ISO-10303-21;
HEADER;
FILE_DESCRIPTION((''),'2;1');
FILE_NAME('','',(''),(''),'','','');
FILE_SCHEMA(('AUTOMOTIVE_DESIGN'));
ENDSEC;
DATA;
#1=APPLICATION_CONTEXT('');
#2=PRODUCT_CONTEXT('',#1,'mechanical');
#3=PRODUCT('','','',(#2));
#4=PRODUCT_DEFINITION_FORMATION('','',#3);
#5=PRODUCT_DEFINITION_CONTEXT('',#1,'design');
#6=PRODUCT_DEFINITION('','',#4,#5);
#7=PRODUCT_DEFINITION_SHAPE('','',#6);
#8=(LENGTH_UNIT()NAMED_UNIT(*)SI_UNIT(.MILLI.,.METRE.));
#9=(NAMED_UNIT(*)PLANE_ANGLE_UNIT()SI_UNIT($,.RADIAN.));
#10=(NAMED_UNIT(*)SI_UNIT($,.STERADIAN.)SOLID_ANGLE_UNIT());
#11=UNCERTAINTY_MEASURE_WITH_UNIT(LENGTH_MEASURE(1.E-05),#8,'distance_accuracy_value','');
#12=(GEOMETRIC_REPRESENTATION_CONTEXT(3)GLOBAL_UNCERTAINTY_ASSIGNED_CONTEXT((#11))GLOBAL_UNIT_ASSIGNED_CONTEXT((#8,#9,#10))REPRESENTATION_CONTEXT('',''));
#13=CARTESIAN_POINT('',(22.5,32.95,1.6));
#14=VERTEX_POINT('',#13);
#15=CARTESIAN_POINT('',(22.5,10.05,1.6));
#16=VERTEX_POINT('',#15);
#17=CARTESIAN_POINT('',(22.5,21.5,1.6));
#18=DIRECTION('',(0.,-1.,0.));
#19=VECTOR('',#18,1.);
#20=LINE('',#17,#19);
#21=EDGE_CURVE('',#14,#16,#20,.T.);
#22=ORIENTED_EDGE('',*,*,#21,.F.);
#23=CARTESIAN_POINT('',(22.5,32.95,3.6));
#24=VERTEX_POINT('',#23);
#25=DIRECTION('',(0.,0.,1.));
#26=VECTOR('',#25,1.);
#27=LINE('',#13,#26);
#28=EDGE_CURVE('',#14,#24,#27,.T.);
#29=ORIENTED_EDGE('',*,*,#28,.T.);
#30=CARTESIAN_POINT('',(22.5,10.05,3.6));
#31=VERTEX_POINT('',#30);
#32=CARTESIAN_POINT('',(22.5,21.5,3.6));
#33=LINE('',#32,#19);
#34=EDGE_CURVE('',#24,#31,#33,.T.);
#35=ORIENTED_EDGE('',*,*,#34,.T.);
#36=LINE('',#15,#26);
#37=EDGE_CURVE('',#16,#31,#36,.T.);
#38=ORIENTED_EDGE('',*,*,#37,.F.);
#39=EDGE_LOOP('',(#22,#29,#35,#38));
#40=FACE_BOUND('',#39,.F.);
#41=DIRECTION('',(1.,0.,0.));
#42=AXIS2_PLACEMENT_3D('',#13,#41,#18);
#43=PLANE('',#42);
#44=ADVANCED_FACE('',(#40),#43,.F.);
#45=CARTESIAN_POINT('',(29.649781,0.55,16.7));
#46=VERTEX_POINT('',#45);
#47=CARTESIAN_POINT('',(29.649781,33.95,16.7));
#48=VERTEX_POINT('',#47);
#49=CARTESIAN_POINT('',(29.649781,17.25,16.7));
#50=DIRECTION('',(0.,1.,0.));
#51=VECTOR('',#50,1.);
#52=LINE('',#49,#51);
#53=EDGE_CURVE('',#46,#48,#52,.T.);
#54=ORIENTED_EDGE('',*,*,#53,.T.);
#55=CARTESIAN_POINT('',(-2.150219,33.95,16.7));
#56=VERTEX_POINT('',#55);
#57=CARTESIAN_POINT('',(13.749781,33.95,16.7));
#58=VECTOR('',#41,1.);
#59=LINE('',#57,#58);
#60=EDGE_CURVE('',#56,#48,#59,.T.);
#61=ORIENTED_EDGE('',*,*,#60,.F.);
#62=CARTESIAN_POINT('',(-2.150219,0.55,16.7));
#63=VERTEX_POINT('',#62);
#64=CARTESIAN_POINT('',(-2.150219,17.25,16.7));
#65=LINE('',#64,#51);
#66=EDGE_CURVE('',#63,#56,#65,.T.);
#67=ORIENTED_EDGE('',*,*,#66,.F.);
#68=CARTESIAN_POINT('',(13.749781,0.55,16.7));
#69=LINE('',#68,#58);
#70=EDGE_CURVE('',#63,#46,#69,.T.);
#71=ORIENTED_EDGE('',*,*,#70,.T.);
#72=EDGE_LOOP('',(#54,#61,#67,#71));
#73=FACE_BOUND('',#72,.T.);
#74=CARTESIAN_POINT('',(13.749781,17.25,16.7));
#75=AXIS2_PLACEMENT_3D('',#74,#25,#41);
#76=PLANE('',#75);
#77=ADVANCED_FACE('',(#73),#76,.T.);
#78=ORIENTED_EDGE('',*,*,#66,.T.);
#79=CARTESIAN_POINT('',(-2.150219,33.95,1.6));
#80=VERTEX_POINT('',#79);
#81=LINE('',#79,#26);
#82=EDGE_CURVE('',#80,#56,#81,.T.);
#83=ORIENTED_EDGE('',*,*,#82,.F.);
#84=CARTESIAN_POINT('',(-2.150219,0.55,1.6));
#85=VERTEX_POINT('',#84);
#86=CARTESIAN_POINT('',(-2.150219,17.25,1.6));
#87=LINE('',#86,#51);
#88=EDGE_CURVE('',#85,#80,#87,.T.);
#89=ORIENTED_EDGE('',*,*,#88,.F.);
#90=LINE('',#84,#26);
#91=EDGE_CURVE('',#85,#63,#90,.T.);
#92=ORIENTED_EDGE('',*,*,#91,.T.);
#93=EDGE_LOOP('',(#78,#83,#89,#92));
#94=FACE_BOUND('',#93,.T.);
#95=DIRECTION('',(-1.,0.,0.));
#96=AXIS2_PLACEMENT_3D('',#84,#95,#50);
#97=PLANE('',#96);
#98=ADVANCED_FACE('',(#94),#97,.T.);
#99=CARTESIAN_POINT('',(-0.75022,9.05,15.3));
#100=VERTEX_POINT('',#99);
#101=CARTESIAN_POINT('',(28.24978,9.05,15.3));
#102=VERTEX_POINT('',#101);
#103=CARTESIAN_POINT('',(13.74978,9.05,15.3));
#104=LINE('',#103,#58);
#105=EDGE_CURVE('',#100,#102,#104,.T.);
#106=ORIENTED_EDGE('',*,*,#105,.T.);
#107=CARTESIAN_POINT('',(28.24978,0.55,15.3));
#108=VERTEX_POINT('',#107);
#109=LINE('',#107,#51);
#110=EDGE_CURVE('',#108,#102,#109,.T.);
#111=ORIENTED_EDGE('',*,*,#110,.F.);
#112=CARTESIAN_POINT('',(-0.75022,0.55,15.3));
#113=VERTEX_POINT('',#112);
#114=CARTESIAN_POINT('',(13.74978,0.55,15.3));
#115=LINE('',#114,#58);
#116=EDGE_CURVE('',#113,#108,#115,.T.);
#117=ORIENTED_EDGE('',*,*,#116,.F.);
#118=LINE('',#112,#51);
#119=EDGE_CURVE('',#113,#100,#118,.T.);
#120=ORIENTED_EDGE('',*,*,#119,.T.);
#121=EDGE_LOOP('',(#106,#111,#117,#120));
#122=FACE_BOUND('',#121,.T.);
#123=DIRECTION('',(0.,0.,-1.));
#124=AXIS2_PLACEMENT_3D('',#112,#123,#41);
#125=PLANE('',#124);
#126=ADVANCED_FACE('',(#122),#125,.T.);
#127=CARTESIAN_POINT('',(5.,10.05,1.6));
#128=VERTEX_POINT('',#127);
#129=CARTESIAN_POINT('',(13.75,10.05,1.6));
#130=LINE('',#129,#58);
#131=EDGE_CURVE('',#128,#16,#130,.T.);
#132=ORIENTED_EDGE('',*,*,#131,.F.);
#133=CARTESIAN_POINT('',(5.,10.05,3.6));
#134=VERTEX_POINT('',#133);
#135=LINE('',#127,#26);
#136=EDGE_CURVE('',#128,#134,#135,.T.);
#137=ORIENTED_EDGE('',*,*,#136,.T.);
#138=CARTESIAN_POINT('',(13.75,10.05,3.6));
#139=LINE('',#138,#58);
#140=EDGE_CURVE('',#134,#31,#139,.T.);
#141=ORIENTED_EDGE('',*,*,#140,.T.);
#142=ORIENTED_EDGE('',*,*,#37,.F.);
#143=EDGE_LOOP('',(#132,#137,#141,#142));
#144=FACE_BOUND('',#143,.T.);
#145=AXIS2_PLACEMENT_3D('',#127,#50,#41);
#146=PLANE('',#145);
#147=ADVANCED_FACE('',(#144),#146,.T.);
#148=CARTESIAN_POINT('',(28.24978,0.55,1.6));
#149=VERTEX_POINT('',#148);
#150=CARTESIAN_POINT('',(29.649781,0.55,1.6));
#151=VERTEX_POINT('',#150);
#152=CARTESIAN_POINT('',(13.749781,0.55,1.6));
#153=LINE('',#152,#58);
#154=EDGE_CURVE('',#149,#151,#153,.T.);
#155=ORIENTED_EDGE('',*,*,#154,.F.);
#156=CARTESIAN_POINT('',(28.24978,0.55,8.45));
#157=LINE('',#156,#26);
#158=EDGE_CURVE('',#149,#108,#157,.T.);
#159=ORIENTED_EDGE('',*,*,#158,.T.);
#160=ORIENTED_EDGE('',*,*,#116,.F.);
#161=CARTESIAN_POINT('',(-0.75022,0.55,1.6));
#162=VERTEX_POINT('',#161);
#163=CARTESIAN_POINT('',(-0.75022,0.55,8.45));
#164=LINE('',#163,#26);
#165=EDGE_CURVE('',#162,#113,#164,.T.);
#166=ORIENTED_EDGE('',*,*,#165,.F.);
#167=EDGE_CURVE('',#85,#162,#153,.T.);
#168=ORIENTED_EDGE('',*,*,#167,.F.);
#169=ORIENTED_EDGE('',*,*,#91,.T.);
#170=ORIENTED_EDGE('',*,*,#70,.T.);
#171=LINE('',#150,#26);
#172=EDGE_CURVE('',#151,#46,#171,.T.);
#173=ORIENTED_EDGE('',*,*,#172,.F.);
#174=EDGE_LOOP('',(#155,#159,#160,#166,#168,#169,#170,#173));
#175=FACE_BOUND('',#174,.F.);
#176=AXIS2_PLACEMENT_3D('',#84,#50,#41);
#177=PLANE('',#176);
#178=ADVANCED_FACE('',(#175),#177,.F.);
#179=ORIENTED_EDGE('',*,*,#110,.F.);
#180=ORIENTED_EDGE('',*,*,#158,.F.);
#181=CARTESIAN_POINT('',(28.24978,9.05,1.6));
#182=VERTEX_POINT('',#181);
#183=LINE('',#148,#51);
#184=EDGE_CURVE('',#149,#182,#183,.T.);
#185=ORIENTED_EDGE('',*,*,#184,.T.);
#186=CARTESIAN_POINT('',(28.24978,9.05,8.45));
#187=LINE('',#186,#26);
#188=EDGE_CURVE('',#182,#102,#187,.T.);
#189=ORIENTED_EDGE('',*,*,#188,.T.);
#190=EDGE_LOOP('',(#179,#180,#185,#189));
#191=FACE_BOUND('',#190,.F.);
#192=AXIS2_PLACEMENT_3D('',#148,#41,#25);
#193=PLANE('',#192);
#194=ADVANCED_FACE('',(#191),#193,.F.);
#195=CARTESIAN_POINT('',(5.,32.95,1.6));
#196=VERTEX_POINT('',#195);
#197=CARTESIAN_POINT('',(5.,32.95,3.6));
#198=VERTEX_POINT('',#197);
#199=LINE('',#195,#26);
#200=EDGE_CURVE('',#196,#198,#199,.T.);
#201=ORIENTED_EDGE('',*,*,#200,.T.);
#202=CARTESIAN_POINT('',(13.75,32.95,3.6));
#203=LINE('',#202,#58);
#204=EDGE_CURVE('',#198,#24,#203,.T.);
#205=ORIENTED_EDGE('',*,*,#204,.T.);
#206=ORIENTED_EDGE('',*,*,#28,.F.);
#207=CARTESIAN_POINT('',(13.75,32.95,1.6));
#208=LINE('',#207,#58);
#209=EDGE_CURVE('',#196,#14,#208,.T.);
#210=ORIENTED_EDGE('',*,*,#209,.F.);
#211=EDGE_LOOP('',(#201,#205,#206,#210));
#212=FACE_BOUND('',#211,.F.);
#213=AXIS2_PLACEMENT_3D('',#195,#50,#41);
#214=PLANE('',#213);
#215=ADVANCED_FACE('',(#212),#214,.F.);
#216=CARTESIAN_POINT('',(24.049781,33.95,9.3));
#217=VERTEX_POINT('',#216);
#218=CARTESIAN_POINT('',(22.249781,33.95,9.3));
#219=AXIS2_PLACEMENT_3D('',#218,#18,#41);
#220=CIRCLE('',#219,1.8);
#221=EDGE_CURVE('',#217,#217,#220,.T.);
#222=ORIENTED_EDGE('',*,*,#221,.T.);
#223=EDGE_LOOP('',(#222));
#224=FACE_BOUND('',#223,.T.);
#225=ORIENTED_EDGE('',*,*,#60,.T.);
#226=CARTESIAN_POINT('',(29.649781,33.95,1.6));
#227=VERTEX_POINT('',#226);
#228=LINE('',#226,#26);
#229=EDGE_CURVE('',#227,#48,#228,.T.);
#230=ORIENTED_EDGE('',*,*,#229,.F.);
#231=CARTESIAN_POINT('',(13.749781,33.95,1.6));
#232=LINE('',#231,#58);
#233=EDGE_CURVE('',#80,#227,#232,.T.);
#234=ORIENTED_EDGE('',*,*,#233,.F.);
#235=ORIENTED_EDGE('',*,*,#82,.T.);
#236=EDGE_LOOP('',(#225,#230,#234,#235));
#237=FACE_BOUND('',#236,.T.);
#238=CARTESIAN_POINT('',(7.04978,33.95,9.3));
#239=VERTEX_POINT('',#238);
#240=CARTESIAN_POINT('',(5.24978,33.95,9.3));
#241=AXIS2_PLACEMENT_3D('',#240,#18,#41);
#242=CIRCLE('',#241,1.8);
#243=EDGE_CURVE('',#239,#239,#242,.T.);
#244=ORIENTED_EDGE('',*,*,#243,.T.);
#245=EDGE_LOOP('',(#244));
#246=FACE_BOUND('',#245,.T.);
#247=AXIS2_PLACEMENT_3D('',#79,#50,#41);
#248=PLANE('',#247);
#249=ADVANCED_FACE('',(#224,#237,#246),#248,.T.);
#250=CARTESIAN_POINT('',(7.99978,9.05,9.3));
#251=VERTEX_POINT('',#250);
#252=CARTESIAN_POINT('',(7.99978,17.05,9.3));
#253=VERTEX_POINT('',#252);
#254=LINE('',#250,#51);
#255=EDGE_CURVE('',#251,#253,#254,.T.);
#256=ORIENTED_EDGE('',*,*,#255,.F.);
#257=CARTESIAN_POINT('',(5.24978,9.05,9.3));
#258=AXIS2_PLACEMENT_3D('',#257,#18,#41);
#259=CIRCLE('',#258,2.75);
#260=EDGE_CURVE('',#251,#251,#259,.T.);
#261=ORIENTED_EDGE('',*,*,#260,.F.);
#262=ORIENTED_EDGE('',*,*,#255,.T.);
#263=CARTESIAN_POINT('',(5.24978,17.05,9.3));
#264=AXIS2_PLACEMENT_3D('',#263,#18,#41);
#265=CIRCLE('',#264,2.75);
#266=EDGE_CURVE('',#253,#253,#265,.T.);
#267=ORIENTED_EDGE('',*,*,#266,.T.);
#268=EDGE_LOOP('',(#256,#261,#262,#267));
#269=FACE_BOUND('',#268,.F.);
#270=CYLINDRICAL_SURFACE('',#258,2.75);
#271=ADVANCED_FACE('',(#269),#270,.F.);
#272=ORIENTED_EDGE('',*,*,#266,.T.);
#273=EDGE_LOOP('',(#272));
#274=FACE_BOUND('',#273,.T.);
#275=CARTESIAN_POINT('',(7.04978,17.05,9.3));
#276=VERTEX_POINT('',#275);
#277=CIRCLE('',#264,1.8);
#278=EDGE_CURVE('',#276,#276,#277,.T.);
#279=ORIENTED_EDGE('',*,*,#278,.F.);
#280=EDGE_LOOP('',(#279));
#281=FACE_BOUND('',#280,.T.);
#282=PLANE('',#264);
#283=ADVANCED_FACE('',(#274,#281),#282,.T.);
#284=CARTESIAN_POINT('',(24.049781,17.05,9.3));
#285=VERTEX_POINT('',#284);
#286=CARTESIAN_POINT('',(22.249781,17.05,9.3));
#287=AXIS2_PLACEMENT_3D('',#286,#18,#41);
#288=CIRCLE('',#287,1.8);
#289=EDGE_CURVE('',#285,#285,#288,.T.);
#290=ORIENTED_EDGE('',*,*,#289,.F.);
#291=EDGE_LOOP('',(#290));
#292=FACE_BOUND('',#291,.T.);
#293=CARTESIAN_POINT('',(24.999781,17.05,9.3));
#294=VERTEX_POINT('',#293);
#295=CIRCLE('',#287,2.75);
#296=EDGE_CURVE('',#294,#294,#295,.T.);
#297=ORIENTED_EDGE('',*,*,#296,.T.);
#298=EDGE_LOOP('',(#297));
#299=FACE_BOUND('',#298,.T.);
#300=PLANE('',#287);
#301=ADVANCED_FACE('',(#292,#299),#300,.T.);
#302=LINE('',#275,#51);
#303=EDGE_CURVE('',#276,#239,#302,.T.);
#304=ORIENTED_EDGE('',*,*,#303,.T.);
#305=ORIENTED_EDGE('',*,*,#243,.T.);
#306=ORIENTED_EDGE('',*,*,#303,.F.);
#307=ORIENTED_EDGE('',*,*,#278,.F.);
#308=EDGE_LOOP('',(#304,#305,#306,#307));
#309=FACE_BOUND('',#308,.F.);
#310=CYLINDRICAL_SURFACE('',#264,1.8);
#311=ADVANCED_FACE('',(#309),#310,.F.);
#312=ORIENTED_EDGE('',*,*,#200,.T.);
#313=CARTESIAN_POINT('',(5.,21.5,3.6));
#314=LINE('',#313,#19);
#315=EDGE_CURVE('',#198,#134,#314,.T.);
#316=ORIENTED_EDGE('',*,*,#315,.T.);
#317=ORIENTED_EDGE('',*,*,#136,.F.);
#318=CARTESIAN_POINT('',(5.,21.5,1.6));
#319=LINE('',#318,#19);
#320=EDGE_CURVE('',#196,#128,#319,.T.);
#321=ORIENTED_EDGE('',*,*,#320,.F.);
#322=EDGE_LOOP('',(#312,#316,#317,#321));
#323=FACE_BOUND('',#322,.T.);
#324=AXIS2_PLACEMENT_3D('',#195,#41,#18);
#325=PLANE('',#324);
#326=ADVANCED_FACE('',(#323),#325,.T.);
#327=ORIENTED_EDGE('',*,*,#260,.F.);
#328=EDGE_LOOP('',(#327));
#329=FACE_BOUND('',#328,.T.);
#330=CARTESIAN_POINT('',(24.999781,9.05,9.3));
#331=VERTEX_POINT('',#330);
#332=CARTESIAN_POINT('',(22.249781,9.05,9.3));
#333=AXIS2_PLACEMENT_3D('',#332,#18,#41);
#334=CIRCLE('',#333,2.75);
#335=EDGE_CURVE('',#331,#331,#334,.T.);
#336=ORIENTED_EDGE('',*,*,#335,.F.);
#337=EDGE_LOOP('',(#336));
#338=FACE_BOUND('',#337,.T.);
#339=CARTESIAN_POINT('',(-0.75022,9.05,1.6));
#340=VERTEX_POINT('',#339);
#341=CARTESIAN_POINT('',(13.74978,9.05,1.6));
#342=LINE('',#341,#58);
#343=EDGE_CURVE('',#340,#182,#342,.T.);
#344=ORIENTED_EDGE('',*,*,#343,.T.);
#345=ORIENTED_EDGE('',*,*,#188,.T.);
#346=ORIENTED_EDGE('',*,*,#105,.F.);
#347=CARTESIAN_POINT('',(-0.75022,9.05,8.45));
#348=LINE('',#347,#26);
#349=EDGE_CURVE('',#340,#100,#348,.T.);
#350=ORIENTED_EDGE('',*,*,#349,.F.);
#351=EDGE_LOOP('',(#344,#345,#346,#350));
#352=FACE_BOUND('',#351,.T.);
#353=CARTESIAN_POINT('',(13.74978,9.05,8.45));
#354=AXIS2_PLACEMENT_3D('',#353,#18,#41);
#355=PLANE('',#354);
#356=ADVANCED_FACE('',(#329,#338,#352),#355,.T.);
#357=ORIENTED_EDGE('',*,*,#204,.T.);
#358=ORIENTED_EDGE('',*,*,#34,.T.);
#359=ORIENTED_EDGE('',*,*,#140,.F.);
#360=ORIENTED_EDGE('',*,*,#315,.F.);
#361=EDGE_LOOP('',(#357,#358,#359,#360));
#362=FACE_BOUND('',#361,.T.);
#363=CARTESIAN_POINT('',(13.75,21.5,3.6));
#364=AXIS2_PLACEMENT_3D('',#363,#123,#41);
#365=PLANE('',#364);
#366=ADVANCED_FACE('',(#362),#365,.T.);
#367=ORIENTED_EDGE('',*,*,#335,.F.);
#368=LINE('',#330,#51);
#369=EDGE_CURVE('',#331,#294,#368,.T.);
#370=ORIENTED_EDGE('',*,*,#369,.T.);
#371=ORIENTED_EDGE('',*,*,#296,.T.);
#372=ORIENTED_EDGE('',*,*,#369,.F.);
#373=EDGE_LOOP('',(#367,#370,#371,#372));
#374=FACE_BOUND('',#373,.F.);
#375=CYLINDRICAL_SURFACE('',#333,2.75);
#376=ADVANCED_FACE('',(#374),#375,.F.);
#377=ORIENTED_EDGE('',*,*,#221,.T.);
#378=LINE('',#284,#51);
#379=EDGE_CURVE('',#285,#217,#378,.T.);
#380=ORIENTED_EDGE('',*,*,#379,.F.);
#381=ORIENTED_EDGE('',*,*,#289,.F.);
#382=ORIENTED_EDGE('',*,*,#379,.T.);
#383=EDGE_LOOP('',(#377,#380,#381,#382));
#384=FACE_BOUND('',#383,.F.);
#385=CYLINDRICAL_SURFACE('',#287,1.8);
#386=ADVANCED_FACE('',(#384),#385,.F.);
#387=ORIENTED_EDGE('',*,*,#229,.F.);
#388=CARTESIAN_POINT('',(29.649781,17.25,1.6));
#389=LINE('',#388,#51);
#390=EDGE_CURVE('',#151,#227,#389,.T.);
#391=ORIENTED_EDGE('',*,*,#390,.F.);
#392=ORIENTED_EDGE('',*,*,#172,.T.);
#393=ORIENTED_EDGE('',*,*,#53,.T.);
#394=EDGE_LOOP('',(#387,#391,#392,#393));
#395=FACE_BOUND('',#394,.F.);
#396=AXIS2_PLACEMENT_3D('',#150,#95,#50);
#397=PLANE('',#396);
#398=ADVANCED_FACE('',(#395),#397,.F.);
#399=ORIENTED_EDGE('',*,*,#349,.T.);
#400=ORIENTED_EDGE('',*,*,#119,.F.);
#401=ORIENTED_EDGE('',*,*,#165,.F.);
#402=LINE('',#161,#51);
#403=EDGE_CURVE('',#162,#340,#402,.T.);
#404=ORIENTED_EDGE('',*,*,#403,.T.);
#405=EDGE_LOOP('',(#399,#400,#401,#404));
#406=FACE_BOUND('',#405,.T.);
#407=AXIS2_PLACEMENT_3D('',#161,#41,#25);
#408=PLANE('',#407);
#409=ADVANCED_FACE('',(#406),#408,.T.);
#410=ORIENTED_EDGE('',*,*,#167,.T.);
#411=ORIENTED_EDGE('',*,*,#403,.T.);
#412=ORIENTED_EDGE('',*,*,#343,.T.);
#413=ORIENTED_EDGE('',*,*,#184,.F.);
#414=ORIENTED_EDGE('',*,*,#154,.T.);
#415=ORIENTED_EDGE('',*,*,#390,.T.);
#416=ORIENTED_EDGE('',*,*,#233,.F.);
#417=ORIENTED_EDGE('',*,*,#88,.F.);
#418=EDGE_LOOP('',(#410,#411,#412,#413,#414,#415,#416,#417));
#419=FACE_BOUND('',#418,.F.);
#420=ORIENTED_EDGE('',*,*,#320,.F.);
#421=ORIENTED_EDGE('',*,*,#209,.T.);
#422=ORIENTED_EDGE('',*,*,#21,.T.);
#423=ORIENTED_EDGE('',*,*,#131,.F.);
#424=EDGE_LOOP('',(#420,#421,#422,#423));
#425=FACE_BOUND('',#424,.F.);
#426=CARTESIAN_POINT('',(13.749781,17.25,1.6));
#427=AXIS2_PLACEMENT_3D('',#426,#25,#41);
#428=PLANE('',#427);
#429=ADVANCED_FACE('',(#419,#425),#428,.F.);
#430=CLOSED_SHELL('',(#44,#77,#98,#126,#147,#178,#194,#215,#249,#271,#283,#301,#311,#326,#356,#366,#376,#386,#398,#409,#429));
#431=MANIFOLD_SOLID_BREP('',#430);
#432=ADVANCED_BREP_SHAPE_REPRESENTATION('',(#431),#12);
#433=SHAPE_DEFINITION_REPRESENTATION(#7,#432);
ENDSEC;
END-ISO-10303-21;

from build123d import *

# Parameters (mm, degrees)
SKETCH004_W     = 31.8
SKETCH004_H     = 33.4
PAD002_DEPTH    = 15.1
SKETCH005_W     = 29.000001
SKETCH005_H     = 13.7
POCKET001_DEPTH = 8.5
SKETCH006_W     = 17.5
SKETCH006_H     = 22.9
POCKET002_DEPTH = 2
SKETCH009_R     = 2.75
POCKET004_DEPTH = 8
SKETCH010_R     = 1.8
POCKET005_DEPTH = 20


with BuildPart() as part:
    # Sketch004 (on Face5 of Binder001) → Pad002 (new body)
    with BuildSketch(Plane.XY.offset(1.6)):
        with Locations((13.749781, 17.25)):
            Rectangle(SKETCH004_W, SKETCH004_H)
    extrude(amount=PAD002_DEPTH)

    # Sketch005 (on Face2 of Pad002) → Pocket001 (cut)
    with BuildSketch(Plane.XZ.offset(-0.55)):
        with Locations((13.74978, 8.45)):
            Rectangle(SKETCH005_W, SKETCH005_H)
    extrude(amount=-POCKET001_DEPTH, mode=Mode.SUBTRACT)

    # Sketch006 (on Face4 of Pocket001) → Pocket002 (cut)
    with BuildSketch(Plane(origin=(0, 0, 1.6), x_dir=(1, 0, 0), z_dir=(0, 0, -1))):
        with Locations((13.75, -21.5)):
            Rectangle(SKETCH006_W, SKETCH006_H)
    extrude(amount=-POCKET002_DEPTH, mode=Mode.SUBTRACT)

    # Sketch009 (on Face10 of Pocket002) → Pocket004 (cut)
    with BuildSketch(Plane.XZ.offset(-9.05)):
        with Locations((5.24978, 9.3)):
            Circle(SKETCH009_R)
        with Locations((22.249781, 9.3)):
            Circle(SKETCH009_R)
    extrude(amount=-POCKET004_DEPTH, mode=Mode.SUBTRACT)

    # Sketch010 (on Face18 of Pocket004) → Pocket005 (cut)
    with BuildSketch(Plane.XZ.offset(-17.05)):
        with Locations((5.24978, 9.3)):
            Circle(SKETCH010_R)
        with Locations((22.249781, 9.3)):
            Circle(SKETCH010_R)
    extrude(amount=-POCKET005_DEPTH, mode=Mode.SUBTRACT)


solid = part.part
